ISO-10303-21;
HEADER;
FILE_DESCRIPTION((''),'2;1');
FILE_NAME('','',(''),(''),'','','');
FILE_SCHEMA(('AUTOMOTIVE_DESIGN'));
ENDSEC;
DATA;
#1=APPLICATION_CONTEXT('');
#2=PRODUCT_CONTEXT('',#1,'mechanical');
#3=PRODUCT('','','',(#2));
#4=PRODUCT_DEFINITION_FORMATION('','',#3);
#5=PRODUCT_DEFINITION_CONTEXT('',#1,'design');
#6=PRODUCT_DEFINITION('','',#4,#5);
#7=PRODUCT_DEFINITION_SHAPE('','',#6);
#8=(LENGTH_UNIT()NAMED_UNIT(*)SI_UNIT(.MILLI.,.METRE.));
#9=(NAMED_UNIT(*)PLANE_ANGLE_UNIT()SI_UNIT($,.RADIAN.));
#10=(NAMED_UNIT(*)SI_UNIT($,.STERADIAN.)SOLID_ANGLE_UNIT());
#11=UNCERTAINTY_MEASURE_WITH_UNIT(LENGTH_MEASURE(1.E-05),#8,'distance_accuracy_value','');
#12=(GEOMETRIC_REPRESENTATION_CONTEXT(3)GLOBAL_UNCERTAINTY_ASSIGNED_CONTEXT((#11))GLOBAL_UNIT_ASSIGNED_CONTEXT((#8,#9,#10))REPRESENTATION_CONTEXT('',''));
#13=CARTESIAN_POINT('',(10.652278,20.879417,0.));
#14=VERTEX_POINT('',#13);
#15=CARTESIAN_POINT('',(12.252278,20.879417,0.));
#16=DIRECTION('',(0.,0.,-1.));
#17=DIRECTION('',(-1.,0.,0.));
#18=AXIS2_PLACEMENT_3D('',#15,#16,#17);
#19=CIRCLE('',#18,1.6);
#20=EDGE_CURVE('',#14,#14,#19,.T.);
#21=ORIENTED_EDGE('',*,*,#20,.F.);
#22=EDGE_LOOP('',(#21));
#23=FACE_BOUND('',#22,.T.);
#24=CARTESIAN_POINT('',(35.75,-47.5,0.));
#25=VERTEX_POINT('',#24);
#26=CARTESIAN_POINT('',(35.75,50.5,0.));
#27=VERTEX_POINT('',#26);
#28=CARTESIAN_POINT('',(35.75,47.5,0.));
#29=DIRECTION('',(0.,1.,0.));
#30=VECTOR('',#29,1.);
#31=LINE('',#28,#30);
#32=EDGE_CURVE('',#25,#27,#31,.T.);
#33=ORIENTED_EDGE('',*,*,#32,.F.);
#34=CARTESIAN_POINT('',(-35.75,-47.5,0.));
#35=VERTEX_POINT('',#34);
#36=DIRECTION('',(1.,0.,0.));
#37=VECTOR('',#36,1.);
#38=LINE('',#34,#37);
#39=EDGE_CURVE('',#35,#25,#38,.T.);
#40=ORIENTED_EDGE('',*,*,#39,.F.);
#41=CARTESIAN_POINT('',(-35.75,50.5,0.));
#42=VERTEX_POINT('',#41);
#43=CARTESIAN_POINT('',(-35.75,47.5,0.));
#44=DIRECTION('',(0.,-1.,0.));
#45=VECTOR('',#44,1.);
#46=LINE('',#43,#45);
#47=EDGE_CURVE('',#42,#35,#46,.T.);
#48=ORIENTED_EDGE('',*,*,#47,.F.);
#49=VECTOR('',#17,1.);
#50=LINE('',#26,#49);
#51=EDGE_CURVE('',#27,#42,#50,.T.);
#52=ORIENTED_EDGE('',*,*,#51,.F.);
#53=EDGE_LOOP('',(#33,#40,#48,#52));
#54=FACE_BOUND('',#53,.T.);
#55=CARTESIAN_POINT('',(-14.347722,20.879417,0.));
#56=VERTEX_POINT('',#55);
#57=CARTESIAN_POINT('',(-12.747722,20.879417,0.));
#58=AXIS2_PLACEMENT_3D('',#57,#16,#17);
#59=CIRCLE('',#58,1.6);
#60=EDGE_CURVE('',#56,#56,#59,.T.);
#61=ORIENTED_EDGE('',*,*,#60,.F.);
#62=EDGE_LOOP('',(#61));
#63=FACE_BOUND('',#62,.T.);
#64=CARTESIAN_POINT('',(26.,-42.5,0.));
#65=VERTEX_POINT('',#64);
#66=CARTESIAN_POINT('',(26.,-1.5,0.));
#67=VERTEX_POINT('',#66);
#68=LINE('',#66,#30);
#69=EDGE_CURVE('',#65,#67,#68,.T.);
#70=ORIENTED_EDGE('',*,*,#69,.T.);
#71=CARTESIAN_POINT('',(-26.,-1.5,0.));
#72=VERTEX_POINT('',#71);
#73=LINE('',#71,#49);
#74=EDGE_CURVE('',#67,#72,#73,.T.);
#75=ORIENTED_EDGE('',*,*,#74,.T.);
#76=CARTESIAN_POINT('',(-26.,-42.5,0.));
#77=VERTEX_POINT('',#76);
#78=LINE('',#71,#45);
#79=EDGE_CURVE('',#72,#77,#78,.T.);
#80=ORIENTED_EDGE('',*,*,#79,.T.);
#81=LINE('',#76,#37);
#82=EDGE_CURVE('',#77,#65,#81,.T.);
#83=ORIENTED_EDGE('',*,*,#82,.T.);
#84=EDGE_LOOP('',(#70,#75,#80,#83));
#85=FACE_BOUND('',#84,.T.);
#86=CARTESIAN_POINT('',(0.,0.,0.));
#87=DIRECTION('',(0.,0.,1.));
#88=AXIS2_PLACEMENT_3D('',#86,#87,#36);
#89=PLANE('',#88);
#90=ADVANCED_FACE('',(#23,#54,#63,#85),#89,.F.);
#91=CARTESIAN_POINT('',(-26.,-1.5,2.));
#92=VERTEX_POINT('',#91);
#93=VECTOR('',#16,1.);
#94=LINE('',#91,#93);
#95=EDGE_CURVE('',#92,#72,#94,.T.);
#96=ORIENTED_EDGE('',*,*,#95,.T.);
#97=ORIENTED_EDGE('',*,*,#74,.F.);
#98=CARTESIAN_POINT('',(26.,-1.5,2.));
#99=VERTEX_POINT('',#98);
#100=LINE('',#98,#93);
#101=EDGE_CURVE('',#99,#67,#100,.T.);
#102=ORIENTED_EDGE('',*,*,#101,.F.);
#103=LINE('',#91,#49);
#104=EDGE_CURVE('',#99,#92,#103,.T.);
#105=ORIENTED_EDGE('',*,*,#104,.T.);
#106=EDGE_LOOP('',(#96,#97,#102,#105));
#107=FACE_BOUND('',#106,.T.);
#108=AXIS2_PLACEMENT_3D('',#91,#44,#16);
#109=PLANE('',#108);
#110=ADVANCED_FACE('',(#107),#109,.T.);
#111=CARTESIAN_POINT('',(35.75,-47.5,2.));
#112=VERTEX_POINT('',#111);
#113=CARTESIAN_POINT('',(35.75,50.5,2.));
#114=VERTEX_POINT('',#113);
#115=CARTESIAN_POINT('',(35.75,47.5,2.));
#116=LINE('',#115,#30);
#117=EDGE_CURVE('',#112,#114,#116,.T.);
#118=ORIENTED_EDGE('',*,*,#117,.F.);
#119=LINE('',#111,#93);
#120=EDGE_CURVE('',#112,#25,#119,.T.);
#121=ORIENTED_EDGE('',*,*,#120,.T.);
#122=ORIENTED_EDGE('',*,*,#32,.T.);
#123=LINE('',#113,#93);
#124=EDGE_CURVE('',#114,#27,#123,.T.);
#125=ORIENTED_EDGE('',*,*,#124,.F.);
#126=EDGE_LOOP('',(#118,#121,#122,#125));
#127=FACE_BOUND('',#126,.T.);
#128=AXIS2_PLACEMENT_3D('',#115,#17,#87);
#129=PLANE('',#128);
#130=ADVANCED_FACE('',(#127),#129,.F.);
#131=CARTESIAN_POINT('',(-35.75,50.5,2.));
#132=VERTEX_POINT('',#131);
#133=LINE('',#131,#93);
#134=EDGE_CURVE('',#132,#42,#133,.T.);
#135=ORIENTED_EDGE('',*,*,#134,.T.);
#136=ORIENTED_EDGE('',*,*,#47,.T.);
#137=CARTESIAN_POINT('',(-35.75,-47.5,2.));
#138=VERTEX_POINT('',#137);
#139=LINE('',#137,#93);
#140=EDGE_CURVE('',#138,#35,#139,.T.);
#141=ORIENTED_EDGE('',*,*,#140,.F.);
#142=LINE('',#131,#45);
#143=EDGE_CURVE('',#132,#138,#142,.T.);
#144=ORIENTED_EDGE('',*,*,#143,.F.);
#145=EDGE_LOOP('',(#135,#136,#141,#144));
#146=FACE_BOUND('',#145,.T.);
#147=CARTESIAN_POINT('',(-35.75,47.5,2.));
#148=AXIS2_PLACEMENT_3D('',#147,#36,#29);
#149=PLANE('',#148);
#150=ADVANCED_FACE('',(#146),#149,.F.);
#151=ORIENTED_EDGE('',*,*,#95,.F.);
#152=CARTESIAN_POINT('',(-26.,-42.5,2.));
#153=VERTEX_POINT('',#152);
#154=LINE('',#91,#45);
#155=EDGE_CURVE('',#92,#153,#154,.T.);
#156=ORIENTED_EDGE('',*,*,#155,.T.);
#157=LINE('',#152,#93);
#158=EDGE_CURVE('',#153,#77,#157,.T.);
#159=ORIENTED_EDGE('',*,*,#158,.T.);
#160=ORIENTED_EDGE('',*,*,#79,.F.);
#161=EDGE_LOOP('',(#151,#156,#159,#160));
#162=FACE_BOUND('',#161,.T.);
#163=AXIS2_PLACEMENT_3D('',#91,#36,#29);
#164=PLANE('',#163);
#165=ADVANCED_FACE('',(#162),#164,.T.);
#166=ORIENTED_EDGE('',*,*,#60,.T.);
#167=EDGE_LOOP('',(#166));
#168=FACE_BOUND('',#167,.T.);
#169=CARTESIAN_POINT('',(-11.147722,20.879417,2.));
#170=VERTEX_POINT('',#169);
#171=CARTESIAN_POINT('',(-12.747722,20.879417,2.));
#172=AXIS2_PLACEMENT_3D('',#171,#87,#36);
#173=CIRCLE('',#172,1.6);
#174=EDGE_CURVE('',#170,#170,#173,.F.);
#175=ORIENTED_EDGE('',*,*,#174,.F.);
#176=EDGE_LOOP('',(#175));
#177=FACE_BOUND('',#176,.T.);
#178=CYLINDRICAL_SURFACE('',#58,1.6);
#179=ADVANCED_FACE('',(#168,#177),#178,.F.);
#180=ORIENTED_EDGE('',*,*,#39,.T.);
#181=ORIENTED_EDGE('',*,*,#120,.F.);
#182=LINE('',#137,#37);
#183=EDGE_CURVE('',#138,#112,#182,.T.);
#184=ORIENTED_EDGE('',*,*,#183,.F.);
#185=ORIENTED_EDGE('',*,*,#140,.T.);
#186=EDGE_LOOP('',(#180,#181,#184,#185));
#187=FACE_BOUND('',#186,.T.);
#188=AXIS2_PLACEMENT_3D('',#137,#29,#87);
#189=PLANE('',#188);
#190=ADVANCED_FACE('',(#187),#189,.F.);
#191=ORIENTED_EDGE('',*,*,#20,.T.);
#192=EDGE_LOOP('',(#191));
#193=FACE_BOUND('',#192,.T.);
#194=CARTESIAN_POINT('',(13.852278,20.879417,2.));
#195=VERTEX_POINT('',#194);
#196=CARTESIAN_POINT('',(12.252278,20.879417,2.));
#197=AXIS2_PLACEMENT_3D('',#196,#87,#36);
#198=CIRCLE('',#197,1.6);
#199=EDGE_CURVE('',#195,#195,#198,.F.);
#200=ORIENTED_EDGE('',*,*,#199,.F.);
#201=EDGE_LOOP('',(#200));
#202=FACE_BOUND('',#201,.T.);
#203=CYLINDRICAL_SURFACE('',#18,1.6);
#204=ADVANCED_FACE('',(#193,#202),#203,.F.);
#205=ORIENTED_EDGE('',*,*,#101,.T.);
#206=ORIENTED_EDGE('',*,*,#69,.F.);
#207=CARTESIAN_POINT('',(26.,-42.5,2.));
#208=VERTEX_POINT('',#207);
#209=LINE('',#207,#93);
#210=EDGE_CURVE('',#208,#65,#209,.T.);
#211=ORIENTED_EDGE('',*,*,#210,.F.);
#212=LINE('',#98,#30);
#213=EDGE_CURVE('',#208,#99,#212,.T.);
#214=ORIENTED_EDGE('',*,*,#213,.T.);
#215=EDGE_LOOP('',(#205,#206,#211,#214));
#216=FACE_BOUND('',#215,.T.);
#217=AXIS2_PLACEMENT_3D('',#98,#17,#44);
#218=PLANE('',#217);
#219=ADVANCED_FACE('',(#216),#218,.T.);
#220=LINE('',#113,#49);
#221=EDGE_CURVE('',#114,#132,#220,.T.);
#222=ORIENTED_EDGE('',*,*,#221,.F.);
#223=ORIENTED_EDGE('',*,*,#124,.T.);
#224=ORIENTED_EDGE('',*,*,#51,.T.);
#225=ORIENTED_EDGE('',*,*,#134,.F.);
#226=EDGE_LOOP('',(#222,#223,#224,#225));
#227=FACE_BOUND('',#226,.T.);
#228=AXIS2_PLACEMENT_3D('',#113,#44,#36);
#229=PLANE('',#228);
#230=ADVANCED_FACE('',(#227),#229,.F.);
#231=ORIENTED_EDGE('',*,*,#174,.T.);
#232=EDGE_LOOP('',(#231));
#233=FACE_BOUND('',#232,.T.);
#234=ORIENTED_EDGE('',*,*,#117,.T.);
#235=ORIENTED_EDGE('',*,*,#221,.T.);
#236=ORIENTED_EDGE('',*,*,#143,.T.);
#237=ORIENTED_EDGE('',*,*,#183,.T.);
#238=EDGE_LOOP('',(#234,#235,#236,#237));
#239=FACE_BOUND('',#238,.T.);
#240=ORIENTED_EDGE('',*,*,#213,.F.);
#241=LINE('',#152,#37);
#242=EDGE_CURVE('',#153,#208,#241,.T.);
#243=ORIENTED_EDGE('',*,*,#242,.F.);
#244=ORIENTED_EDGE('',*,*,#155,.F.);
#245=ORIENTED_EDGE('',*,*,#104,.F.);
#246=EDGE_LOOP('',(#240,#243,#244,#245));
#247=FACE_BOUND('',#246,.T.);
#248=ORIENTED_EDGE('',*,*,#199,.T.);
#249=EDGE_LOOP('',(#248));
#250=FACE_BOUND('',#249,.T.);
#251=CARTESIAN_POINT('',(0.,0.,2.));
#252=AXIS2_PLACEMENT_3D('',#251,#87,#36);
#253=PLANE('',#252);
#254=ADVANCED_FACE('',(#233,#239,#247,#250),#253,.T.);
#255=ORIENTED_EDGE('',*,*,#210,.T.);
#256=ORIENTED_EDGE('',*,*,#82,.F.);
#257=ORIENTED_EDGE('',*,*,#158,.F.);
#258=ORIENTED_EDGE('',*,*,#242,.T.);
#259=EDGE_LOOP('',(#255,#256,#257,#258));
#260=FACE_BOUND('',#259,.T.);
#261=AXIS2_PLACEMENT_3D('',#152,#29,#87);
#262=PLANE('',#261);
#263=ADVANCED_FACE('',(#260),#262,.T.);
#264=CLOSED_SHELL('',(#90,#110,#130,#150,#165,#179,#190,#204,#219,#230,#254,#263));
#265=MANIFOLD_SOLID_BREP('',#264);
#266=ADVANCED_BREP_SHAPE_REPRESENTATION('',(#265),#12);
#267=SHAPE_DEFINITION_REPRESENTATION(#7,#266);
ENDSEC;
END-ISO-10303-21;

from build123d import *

# Parameters (mm, degrees)
SKETCH_1_W      = 52
SKETCH_1_H      = 41
EXTRUDE_1_DEPTH = 2
F_3_0MM_1_D     = 3.2
F_3_0MM_1_DEPTH = 2
F_3_0MM_1_TIP   = 0.96137699


with BuildPart() as part:
    # 草图1 → 凸台-拉伸1 (new body)
    with BuildSketch(Plane.XY):
        Polygon((35.75, 47.5), (35.75, 50.5), (-35.75, 50.5), (-35.75, 47.5), (-35.75, -47.5), (35.75, -47.5), align=None)
        with Locations((0, -22)):
            Rectangle(SKETCH_1_W, SKETCH_1_H, mode=Mode.SUBTRACT)
    extrude(amount=EXTRUDE_1_DEPTH)

    # Ø3.0mm 暗销孔1
    with Locations(Plane(origin=(68.159346192, -140.5, 0), x_dir=(-1, 0, 0), z_dir=(0, 0, -1))):
        with Locations((80.907068169, 161.379417443), (55.907068169, 161.379417443)):
            Hole(F_3_0MM_1_D / 2, depth=F_3_0MM_1_DEPTH)
            with Locations((0, 0, -(F_3_0MM_1_DEPTH + F_3_0MM_1_TIP / 2))):  # 118° drill point
                Cone(0, F_3_0MM_1_D / 2, F_3_0MM_1_TIP, mode=Mode.SUBTRACT)


solid = part.part
